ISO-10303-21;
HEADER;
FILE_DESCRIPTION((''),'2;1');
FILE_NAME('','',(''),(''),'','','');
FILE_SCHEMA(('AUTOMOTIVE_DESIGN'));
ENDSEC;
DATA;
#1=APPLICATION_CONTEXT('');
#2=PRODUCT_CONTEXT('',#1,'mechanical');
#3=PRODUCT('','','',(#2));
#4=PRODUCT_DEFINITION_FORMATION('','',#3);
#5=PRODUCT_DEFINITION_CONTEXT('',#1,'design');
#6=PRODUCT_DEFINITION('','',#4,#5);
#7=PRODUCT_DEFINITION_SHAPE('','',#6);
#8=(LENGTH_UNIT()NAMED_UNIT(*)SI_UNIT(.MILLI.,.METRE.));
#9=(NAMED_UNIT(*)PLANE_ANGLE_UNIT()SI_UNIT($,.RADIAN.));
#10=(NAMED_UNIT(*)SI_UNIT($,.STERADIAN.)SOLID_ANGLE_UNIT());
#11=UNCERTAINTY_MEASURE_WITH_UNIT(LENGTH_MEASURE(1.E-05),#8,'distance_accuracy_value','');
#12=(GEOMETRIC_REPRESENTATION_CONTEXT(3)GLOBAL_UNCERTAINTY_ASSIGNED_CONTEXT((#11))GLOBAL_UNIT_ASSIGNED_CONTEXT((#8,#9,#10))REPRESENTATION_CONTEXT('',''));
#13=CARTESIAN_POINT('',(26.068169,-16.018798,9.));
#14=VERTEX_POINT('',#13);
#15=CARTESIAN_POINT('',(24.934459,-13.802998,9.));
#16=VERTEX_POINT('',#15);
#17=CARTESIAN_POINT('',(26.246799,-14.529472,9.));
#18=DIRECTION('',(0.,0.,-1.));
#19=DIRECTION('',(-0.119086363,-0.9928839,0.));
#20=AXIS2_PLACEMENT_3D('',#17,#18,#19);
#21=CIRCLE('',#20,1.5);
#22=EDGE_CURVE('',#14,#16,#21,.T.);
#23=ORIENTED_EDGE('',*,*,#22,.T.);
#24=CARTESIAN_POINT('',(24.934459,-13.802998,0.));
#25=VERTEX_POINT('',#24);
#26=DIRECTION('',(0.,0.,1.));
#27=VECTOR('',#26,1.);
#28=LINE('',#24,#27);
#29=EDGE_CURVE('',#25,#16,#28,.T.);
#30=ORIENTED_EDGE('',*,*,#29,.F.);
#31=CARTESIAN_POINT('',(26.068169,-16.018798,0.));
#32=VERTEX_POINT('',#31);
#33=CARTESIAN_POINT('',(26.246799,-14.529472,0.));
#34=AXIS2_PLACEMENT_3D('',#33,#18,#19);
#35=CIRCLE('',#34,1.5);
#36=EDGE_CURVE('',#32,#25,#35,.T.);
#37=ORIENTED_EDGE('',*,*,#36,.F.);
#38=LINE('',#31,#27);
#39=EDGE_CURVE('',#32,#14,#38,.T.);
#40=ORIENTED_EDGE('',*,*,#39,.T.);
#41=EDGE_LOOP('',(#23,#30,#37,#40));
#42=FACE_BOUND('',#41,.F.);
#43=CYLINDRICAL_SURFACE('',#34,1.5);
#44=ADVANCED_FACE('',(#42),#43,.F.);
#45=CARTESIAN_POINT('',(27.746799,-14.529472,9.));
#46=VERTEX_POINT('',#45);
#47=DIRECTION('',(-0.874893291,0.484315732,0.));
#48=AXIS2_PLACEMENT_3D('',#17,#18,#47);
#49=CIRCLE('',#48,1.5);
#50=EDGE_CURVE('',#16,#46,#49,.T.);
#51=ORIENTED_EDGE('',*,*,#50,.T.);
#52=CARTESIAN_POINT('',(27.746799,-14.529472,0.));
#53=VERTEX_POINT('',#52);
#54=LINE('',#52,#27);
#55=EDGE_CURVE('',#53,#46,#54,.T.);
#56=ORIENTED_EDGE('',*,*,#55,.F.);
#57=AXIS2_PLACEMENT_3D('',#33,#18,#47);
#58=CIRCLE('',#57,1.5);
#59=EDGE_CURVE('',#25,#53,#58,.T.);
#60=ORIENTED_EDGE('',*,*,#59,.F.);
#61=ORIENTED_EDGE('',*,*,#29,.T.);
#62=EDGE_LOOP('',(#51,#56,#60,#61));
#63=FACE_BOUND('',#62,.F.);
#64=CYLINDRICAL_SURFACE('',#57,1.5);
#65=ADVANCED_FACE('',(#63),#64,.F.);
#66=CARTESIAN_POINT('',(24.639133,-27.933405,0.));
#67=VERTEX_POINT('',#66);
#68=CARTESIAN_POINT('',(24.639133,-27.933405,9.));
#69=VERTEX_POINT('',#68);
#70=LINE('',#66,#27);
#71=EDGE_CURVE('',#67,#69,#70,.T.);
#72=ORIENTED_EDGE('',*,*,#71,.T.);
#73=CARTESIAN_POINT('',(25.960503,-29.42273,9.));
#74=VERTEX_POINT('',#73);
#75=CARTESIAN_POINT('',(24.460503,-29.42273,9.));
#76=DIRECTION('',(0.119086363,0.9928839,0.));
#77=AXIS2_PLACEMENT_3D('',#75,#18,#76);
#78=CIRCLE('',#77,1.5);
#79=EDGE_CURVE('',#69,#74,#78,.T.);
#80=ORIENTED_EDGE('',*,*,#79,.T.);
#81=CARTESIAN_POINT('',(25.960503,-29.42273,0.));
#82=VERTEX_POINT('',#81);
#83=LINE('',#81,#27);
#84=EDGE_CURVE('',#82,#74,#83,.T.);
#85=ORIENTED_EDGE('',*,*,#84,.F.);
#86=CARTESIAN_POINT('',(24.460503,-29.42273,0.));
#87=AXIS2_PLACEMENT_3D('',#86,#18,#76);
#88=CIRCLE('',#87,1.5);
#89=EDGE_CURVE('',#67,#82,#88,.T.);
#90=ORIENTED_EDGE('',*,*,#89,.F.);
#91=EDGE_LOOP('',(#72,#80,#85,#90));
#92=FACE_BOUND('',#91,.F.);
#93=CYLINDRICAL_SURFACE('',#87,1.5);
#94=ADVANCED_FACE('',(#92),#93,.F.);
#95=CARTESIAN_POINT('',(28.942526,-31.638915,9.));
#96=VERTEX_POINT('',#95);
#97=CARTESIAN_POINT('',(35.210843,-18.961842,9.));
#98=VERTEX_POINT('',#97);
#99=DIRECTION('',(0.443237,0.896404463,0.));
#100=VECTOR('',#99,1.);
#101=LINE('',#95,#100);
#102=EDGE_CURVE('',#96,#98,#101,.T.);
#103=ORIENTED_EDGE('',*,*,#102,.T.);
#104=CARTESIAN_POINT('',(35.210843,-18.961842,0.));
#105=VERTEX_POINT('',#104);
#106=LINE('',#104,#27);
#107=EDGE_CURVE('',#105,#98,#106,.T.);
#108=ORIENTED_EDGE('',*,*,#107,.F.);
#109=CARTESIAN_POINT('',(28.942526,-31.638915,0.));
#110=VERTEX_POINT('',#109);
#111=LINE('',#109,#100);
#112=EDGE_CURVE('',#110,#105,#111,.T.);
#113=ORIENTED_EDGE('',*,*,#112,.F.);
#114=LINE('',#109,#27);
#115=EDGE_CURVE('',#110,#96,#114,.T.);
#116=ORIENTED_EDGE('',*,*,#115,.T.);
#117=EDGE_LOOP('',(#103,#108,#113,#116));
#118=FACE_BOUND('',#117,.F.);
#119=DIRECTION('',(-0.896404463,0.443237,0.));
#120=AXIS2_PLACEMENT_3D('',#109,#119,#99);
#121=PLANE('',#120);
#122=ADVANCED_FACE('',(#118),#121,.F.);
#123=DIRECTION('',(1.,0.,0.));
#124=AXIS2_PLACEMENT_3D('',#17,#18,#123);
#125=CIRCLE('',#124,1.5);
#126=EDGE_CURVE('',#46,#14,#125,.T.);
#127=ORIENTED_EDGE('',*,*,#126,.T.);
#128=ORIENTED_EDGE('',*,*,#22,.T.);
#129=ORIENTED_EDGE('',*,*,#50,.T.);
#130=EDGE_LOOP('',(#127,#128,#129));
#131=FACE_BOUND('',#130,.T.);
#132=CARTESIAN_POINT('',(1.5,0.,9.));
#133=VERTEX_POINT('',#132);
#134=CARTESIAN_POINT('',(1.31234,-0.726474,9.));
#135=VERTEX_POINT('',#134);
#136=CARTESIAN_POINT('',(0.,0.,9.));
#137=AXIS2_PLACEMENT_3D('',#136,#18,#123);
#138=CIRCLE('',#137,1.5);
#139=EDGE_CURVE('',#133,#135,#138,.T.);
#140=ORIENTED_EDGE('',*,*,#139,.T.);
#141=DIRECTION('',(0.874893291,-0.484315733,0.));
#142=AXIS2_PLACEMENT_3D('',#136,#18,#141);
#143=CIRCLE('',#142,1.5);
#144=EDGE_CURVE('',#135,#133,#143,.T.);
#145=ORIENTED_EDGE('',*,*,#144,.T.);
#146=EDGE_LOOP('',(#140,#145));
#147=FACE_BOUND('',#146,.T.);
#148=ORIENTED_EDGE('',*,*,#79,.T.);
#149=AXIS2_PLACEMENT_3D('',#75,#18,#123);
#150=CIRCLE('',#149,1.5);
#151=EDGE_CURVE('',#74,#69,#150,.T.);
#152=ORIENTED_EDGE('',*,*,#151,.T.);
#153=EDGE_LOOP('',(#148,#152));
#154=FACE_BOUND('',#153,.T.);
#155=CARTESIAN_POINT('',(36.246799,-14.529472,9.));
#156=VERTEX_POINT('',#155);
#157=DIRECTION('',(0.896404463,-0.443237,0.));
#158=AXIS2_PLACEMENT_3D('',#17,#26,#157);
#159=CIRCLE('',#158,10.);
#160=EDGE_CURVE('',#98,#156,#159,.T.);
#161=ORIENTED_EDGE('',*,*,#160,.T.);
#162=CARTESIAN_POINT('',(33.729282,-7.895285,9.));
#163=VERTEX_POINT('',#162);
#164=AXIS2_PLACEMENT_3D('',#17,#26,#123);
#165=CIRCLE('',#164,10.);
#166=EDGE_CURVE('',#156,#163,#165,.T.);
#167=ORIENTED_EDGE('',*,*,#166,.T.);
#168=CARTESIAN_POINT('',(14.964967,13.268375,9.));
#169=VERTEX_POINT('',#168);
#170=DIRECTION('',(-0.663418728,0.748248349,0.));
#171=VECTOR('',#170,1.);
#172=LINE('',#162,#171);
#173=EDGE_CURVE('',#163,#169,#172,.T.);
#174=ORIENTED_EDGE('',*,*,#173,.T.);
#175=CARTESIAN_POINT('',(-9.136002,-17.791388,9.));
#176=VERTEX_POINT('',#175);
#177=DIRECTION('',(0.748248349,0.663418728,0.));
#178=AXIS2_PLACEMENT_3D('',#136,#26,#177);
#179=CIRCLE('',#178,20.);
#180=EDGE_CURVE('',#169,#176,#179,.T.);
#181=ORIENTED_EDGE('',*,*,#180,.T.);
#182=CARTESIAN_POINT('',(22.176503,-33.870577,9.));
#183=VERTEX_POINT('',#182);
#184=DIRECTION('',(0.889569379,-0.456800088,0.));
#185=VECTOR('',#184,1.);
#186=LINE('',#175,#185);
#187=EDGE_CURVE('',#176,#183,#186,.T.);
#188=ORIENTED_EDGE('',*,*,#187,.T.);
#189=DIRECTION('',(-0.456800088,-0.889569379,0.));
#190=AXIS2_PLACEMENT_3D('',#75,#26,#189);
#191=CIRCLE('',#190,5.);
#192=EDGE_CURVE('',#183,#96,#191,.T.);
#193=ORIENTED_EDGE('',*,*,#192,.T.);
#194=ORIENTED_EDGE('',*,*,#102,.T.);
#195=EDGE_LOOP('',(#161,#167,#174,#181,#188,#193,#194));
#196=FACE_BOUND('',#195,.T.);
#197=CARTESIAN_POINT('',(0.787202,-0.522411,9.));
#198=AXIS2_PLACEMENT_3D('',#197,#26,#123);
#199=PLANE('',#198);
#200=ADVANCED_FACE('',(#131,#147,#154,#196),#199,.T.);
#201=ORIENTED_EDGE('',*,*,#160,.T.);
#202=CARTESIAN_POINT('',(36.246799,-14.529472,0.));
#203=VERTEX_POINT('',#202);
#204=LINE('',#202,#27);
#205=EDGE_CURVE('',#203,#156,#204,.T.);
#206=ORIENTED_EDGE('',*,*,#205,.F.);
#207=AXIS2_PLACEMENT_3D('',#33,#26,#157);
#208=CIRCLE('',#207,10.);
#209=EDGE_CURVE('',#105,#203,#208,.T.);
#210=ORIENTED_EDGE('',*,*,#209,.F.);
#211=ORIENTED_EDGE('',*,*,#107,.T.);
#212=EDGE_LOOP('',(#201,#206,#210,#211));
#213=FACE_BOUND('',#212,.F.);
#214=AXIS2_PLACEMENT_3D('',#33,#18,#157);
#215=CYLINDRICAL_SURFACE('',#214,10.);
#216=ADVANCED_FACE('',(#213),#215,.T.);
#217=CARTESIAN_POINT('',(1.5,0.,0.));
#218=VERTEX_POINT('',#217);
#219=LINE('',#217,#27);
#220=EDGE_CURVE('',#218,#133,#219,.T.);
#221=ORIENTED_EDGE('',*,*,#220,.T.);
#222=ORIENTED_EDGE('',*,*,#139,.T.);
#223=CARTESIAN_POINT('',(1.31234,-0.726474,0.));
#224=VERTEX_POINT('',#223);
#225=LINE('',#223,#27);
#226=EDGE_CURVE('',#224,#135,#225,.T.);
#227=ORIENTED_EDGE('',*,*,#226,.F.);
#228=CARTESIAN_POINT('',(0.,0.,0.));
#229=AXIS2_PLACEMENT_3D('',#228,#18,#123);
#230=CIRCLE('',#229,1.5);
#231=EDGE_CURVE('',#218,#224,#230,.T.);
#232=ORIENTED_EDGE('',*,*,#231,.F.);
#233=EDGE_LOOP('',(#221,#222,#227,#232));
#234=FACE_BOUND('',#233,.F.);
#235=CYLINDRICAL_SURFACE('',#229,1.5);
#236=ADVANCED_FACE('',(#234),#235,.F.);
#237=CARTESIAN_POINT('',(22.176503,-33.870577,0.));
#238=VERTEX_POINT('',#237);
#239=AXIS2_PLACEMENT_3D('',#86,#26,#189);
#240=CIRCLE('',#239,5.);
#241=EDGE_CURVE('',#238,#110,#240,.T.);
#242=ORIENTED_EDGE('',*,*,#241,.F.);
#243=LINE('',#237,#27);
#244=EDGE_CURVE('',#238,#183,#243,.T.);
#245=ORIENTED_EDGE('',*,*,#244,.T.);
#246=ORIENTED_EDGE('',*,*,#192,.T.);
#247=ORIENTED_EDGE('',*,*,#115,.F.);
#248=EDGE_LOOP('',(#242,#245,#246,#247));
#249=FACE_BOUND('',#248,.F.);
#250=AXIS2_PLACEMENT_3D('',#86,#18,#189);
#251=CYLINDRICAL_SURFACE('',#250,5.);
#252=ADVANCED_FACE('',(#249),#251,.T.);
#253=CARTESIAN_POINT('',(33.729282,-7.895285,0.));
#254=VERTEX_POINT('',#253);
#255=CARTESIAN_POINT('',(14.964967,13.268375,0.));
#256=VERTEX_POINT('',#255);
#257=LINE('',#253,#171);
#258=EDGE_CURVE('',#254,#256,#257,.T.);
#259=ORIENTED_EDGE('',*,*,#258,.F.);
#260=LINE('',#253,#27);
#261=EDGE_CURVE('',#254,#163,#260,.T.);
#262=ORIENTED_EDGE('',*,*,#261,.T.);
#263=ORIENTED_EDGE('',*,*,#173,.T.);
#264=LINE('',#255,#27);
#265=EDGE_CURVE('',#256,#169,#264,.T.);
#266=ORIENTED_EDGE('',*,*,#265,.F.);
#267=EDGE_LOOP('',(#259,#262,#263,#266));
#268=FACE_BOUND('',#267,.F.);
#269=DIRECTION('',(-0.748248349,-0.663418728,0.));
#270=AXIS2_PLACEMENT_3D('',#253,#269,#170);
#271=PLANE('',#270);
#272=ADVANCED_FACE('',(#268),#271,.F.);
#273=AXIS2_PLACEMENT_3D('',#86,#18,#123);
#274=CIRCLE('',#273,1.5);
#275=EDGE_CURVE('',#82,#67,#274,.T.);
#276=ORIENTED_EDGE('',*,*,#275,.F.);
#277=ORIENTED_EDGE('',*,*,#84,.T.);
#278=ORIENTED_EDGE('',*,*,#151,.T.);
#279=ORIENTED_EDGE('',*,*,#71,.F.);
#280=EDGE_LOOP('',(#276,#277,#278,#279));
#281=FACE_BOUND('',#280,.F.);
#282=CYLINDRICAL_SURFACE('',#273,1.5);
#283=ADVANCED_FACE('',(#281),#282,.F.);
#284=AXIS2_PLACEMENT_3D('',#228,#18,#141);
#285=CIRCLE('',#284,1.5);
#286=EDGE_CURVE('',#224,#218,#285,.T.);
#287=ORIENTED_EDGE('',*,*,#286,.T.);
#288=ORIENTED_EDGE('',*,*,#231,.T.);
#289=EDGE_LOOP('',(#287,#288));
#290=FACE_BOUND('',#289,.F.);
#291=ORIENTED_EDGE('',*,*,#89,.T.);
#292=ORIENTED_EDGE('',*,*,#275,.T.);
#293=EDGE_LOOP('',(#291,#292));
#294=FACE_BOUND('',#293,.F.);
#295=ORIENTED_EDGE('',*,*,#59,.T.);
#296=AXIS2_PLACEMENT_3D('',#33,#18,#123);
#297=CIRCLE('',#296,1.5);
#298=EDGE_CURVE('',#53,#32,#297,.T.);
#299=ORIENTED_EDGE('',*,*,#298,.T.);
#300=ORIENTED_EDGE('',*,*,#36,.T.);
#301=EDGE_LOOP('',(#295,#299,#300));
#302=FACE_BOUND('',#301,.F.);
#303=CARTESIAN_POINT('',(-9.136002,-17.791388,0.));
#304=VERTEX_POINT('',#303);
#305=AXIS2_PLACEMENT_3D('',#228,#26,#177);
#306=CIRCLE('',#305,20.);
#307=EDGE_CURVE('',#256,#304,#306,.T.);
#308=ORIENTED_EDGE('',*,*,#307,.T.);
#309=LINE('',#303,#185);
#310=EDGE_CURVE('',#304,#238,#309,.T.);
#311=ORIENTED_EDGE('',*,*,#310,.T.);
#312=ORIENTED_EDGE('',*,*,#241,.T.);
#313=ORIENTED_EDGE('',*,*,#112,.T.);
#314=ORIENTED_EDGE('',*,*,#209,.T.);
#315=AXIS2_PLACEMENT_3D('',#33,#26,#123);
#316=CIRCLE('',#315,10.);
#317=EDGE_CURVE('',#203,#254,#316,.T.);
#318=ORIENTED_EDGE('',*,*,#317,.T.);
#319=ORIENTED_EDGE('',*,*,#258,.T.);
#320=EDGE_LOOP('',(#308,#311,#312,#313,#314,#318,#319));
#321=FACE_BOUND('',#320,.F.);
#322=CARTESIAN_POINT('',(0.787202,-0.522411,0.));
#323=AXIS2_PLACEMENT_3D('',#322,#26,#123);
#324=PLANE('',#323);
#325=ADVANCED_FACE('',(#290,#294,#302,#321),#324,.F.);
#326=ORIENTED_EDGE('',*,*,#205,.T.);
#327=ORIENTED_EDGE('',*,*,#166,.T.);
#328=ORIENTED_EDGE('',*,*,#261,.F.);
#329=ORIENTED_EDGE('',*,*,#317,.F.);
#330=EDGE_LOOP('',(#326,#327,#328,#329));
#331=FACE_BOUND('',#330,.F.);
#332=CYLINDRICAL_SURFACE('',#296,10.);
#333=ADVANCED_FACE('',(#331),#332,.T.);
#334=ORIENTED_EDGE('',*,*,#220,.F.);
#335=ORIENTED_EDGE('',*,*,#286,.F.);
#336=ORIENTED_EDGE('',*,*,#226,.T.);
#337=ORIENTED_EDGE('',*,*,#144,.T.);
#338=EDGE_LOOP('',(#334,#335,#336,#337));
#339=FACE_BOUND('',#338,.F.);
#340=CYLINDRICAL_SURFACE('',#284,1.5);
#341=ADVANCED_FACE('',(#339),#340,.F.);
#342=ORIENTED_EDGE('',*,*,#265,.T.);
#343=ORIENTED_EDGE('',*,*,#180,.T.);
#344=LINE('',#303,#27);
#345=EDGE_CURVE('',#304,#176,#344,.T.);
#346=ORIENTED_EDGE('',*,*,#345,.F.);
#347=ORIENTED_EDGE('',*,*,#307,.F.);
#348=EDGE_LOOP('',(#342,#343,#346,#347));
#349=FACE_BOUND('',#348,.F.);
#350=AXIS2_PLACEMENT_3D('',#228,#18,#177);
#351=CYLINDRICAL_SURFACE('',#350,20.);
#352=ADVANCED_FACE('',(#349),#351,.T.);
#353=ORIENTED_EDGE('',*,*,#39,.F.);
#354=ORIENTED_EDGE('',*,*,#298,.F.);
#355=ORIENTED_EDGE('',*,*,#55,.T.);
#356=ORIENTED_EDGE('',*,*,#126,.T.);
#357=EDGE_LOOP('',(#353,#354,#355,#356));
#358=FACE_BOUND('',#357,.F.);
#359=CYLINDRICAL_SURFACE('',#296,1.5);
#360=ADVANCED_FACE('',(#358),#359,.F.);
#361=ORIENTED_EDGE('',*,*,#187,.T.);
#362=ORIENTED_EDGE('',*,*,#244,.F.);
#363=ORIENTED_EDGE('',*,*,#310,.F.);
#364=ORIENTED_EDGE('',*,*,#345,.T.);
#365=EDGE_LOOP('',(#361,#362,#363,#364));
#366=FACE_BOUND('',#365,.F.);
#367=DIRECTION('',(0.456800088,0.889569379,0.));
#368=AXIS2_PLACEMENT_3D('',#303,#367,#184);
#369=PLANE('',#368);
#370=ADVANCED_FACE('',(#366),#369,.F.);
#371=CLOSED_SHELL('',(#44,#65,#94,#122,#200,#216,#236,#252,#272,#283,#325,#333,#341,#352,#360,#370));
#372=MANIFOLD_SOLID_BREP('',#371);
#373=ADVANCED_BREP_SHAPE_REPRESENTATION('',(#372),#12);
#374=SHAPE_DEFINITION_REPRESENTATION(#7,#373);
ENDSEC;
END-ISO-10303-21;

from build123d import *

# Parameters (mm, degrees)
F1_DEPTH = 9


with BuildPart() as f1:
    # F0 (on Top) → F1 (new body)
    with BuildSketch(Plane.XY):
        with BuildLine():
            ThreePointArc((17.4978658247, -9.6863146543), (19.3643656815, -5.0021337201), (20, 0))
            ThreePointArc((20, 0), (18.6989216198, 7.0957966613), (14.9649669742, 13.2683745599))
            ThreePointArc((14.9649669742, 13.2683745599), (-15.8009941076, 12.2608558107), (-9.1360017643, -17.7913875727))
            ThreePointArc((-9.1360017643, -17.7913875727), (5.8226492591, -19.1336550509), (17.4978658247, -9.6863146543))
        make_face()
        with BuildLine():
            ThreePointArc((1.5, 0), (1.4523274262, -0.3751600288), (1.312339937, -0.7264735988))
            ThreePointArc((1.312339937, -0.7264735988), (-1.4523274262, 0.3751600288), (1.5, 0))
        make_face(mode=Mode.SUBTRACT)
        with BuildLine():
            ThreePointArc((14.9649669742, 13.2683745599), (18.6989216198, 7.0957966613), (20, 0))
            ThreePointArc((20, 0), (19.3643656815, -5.0021337201), (17.4978658247, -9.6863146543))
            ThreePointArc((17.4978658247, -9.6863146543), (25.1500213622, -4.5897999797), (33.7292822274, -7.8952846955))
            Line((33.7292822274, -7.8952846955), (14.9649669742, 13.2683745599))
        make_face()
        with BuildLine():
            ThreePointArc((33.7292822274, -7.8952846955), (25.1500213622, -4.5897999797), (17.4978658247, -9.6863146543))
            Line((17.4978658269, -9.6863146503), (24.9344588033, -13.8029983767))
            ThreePointArc((24.9344588033, -13.8029983767), (26.6219587692, -13.0771445493), (27.7467987403, -14.5294719754))
            ThreePointArc((27.7467987403, -14.5294719754), (27.2423025532, -15.6515112611), (26.0681691955, -16.0187978248))
            Line((26.0681691955, -16.0187978248), (25.0559351081, -24.4583109715))
            ThreePointArc((25.0559350985, -24.4583109703), (31.0068805191, -23.3238805092), (35.2108433741, -18.9618419739))
            ThreePointArc((35.2108433741, -18.9618419739), (35.9843663611, -16.8053842828), (36.2467987403, -14.5294719754))
            ThreePointArc((36.2467987403, -14.5294719754), (35.5962595502, -10.9815736448), (33.7292822274, -7.8952846955))
        make_face()
        with BuildLine():
            Line((24.9344588033, -13.8029983767), (17.4978658269, -9.6863146503))
            ThreePointArc((17.4978658247, -9.6863146543), (17.3443913304, -19.0843750818), (25.0559350985, -24.4583109703))
            Line((25.0559351081, -24.4583109715), (26.0681691955, -16.0187978248))
            ThreePointArc((26.0681691955, -16.0187978248), (24.911437629, -15.2127074417), (24.9344588033, -13.8029983767))
        make_face()
        with BuildLine():
            ThreePointArc((25.0559350985, -24.4583109703), (17.3443913304, -19.0843750818), (17.4978658247, -9.6863146543))
            ThreePointArc((17.4978658247, -9.6863146543), (5.8226492591, -19.1336550509), (-9.1360017643, -17.7913875727))
            Line((-9.1360017643, -17.7913875727), (22.1765028509, -33.8705773627))
            ThreePointArc((22.1765028509, -33.8705773627), (19.6792371764, -27.9600294299), (25.0559350985, -24.4583109703))
        make_face()
        with BuildLine():
            ThreePointArc((35.2108433741, -18.9618419739), (31.0068805191, -23.3238805092), (25.0559350985, -24.4583109703))
            ThreePointArc((25.0559350985, -24.4583109703), (28.2006342411, -26.1043844231), (29.460503292, -29.4227304695))
            ThreePointArc((29.460503292, -29.4227304695), (29.3292871024, -30.5606866232), (28.9425256089, -31.6389154687))
            Line((28.9425256089, -31.6389154687), (35.2108433741, -18.9618419739))
        make_face()
        with BuildLine():
            ThreePointArc((29.460503292, -29.4227304695), (28.2006342411, -26.1043844231), (25.0559350985, -24.4583109703))
            ThreePointArc((25.0559350985, -24.4583109703), (19.6792371764, -27.9600294299), (22.1765028509, -33.8705773627))
            ThreePointArc((22.1765028509, -33.8705773627), (26.0266781686, -34.1711087459), (28.9425256089, -31.6389154687))
            ThreePointArc((28.9425256089, -31.6389154687), (29.3292871024, -30.5606866232), (29.460503292, -29.4227304695))
        make_face()
        with BuildLine():
            ThreePointArc((25.960503292, -29.4227304695), (23.3384640063, -30.4182342824), (24.6391328368, -27.9334046201))
            ThreePointArc((24.6391328368, -27.9334046201), (25.5825425777, -28.4272266567), (25.960503292, -29.4227304695))
        make_face(mode=Mode.SUBTRACT)
    extrude(amount=F1_DEPTH)


solid = f1.part
